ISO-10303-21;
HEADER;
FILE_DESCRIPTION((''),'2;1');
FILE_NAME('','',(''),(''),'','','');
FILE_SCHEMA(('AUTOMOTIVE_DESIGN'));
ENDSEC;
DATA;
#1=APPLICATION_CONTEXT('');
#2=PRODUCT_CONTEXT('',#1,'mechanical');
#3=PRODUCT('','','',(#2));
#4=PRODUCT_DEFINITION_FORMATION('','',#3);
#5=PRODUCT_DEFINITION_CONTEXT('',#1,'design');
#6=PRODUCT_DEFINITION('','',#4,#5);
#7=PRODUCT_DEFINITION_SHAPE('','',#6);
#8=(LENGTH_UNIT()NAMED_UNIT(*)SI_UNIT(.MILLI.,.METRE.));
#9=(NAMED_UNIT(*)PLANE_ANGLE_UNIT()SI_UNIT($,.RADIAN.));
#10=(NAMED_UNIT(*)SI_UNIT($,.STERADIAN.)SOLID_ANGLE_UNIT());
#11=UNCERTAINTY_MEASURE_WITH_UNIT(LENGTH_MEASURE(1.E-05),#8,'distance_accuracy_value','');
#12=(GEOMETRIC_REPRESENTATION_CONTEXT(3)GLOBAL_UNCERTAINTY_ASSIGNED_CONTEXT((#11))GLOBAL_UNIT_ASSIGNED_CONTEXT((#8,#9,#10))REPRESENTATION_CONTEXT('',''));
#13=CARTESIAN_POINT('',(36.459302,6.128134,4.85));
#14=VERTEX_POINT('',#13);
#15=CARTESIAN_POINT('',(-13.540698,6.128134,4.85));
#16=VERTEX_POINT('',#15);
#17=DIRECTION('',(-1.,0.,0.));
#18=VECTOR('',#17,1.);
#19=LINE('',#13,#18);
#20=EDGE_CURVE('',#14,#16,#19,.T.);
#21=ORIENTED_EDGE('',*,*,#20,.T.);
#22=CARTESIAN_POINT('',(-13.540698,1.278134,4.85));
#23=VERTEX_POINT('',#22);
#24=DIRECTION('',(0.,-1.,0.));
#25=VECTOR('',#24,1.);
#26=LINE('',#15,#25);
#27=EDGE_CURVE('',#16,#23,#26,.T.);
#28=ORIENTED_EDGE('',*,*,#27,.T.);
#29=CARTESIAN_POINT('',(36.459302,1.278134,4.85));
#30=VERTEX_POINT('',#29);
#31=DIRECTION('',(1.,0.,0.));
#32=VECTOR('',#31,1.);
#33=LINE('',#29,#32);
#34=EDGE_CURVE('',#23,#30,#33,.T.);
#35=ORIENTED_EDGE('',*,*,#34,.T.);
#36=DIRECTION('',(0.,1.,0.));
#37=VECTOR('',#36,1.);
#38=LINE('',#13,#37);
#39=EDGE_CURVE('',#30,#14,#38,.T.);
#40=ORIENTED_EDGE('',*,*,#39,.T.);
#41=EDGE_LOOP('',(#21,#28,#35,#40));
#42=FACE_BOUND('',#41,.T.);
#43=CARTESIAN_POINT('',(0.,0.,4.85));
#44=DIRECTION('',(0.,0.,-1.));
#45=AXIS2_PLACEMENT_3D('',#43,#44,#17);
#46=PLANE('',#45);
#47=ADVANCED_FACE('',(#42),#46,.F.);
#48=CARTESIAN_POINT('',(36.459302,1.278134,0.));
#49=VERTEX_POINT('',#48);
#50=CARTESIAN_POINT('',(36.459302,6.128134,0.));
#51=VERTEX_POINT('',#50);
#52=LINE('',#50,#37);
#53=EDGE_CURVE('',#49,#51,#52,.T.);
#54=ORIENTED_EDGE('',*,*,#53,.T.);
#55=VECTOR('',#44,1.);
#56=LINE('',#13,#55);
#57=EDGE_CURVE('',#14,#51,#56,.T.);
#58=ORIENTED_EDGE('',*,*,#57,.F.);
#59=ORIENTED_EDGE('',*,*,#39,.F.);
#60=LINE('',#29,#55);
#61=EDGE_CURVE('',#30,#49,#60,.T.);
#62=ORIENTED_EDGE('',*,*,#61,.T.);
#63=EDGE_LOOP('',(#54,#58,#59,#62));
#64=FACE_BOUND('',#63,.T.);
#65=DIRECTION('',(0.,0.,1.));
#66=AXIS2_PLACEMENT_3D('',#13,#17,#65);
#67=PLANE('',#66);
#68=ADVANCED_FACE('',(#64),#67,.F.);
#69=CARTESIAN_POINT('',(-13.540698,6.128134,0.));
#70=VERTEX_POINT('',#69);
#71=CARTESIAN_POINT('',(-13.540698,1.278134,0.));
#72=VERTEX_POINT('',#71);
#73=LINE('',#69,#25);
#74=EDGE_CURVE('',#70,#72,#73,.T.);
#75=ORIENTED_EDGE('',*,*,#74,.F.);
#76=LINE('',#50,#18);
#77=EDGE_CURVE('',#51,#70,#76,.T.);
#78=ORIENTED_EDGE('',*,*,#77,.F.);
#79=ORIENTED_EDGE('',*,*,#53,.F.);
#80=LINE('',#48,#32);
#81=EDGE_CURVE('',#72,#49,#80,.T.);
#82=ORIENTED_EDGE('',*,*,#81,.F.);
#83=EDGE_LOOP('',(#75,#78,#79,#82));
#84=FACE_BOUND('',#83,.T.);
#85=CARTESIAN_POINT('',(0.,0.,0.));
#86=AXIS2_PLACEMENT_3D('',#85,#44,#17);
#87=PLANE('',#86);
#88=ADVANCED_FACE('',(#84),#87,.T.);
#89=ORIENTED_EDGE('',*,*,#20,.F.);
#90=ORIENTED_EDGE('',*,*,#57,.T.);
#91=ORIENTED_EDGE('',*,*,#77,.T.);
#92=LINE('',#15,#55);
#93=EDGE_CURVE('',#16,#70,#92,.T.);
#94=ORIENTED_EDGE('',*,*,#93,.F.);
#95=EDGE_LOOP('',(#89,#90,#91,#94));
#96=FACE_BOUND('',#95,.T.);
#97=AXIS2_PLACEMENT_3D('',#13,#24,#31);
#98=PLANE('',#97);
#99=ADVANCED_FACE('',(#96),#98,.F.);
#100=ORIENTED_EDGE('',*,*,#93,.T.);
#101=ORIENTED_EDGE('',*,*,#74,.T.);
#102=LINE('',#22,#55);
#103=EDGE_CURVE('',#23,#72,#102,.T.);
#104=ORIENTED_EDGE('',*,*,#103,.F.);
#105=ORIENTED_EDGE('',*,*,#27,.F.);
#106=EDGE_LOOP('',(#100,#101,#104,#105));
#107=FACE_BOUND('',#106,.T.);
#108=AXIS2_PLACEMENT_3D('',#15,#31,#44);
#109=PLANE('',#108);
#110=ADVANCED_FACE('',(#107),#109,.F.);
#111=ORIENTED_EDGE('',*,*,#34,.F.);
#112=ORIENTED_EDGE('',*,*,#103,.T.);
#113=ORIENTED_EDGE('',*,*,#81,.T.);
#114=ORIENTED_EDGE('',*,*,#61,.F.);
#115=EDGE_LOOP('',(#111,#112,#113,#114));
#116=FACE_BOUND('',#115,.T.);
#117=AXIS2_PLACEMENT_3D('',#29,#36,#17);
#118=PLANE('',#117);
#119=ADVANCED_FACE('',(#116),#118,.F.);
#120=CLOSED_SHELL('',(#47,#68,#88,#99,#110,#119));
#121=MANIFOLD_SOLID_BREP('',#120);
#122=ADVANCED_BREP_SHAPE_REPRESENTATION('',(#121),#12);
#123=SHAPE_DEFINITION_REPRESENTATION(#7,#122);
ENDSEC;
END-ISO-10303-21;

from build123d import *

# Parameters (mm, degrees)
SKETCH_1_W      = 50
SKETCH_1_H      = 4.85
EXTRUDE_1_DEPTH = 4.85


with BuildPart() as part:
    # 草图1 → 凸台-拉伸1 (new body)
    with BuildSketch(Plane.XY):
        with Locations((11.459302289, 3.703133705)):
            Rectangle(SKETCH_1_W, SKETCH_1_H)
    extrude(amount=EXTRUDE_1_DEPTH)


solid = part.part
